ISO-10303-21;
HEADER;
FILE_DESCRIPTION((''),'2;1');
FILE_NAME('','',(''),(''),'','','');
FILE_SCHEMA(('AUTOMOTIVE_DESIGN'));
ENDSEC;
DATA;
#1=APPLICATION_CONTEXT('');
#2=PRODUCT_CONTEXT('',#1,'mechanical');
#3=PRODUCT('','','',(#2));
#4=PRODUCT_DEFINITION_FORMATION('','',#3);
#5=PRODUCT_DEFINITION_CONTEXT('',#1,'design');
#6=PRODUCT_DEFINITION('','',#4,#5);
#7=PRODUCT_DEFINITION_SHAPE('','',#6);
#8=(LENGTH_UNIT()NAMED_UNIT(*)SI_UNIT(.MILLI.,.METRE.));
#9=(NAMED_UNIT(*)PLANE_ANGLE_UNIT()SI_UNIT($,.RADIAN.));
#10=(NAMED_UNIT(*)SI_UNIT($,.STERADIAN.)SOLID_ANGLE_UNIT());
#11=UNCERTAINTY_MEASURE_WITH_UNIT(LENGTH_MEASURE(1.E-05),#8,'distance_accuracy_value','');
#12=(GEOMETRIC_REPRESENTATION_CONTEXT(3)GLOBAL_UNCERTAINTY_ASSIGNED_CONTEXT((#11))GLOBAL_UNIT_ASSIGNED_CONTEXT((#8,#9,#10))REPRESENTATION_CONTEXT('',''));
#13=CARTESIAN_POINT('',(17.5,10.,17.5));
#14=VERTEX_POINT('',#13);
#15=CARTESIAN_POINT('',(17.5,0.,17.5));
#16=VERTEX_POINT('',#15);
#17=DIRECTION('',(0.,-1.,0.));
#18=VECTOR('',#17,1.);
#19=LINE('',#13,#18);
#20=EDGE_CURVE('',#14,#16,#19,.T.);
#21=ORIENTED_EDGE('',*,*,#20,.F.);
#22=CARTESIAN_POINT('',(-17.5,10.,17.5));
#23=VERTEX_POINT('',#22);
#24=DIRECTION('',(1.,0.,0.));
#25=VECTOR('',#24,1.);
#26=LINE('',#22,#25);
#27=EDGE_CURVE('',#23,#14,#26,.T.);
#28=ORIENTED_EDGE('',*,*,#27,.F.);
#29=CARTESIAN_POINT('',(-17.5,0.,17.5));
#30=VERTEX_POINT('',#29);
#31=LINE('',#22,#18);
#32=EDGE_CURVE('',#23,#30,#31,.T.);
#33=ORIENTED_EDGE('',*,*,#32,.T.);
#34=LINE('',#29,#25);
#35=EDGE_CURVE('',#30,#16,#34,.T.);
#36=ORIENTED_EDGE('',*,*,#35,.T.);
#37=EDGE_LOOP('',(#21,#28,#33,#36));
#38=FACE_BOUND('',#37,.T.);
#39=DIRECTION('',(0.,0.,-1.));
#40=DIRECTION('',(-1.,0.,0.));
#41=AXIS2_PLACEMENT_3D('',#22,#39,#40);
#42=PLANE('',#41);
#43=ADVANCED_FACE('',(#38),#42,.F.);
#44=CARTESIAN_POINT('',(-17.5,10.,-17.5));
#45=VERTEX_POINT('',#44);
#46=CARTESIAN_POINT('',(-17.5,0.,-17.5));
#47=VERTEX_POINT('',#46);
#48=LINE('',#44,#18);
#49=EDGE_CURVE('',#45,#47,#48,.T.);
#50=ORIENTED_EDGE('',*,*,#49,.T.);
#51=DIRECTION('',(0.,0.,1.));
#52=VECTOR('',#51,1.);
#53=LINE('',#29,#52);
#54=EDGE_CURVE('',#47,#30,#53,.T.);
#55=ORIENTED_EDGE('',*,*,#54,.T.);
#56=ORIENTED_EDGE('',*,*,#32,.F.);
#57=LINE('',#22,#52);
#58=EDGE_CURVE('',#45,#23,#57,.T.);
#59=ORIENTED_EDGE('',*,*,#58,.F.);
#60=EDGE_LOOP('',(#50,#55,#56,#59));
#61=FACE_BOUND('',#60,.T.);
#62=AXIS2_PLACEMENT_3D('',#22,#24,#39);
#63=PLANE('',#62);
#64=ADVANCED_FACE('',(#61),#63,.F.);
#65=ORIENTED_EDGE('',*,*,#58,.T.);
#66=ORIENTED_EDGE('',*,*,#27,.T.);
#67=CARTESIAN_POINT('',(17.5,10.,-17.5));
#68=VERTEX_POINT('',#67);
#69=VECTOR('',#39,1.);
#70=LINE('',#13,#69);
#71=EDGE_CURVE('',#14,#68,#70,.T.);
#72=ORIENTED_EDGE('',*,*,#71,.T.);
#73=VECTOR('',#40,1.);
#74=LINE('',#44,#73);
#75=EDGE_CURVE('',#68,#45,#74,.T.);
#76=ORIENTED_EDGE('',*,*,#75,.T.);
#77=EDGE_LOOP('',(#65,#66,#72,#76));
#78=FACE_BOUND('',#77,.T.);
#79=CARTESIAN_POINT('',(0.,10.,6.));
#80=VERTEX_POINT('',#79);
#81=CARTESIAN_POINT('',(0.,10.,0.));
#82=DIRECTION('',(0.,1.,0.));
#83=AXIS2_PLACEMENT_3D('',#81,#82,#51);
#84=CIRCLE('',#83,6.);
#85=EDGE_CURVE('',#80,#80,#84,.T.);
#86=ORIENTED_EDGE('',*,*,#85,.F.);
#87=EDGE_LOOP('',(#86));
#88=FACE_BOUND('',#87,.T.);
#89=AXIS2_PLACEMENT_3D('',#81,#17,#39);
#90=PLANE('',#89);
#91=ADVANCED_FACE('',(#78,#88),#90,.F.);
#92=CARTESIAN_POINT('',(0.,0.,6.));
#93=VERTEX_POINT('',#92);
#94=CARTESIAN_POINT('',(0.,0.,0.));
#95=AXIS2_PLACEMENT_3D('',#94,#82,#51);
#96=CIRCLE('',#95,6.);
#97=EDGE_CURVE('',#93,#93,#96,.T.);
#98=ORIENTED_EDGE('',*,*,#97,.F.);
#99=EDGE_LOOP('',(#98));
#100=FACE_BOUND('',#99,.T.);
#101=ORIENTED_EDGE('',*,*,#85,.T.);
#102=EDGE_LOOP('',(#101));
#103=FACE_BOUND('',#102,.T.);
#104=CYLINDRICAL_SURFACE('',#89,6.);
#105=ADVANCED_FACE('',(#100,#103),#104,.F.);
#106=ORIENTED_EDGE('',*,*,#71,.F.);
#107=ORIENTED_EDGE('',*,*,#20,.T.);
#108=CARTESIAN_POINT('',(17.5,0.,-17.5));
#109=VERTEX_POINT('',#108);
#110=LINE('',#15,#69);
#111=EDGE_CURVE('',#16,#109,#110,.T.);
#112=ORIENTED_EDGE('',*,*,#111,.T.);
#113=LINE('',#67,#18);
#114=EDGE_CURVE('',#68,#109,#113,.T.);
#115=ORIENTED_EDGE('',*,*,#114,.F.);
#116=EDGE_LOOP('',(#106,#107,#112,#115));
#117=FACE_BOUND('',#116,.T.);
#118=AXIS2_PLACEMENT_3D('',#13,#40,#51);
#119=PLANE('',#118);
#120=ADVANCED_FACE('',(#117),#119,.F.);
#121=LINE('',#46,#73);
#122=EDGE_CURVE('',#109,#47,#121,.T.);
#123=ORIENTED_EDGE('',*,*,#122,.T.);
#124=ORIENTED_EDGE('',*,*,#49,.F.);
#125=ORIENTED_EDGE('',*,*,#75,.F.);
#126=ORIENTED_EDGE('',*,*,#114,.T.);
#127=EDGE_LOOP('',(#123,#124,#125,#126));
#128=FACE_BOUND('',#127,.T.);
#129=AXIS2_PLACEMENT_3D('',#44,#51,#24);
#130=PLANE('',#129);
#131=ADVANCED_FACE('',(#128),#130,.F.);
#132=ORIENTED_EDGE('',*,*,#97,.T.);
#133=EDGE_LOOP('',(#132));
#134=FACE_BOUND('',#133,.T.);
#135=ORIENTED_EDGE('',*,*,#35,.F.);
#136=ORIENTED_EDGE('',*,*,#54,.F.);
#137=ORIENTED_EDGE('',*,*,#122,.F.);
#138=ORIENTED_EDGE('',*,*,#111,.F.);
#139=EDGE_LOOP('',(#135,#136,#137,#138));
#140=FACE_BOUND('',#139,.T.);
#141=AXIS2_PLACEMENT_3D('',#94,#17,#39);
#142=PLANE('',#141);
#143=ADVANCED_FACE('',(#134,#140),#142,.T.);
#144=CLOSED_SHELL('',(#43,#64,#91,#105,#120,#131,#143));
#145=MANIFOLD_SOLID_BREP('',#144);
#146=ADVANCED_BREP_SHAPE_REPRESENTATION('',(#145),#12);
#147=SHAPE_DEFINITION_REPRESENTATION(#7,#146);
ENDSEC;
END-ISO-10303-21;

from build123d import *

# Parameters (mm, degrees)
SKETCH1_W           = 35
SKETCH1_H           = 35
SKETCH1_R           = 6
BOSS_EXTRUDE1_DEPTH = 10


with BuildPart() as part:
    # Sketch1 → Boss-Extrude1 (new body)
    with BuildSketch(Plane(origin=(0, 0, 0), x_dir=(1, 0, 0), z_dir=(0, 1, 0))):
        Rectangle(SKETCH1_W, SKETCH1_H)
        with Locations(Location((0, 0, 0), (0, 0, 270))):
            Circle(SKETCH1_R, mode=Mode.SUBTRACT)
    extrude(amount=BOSS_EXTRUDE1_DEPTH)


solid = part.part
